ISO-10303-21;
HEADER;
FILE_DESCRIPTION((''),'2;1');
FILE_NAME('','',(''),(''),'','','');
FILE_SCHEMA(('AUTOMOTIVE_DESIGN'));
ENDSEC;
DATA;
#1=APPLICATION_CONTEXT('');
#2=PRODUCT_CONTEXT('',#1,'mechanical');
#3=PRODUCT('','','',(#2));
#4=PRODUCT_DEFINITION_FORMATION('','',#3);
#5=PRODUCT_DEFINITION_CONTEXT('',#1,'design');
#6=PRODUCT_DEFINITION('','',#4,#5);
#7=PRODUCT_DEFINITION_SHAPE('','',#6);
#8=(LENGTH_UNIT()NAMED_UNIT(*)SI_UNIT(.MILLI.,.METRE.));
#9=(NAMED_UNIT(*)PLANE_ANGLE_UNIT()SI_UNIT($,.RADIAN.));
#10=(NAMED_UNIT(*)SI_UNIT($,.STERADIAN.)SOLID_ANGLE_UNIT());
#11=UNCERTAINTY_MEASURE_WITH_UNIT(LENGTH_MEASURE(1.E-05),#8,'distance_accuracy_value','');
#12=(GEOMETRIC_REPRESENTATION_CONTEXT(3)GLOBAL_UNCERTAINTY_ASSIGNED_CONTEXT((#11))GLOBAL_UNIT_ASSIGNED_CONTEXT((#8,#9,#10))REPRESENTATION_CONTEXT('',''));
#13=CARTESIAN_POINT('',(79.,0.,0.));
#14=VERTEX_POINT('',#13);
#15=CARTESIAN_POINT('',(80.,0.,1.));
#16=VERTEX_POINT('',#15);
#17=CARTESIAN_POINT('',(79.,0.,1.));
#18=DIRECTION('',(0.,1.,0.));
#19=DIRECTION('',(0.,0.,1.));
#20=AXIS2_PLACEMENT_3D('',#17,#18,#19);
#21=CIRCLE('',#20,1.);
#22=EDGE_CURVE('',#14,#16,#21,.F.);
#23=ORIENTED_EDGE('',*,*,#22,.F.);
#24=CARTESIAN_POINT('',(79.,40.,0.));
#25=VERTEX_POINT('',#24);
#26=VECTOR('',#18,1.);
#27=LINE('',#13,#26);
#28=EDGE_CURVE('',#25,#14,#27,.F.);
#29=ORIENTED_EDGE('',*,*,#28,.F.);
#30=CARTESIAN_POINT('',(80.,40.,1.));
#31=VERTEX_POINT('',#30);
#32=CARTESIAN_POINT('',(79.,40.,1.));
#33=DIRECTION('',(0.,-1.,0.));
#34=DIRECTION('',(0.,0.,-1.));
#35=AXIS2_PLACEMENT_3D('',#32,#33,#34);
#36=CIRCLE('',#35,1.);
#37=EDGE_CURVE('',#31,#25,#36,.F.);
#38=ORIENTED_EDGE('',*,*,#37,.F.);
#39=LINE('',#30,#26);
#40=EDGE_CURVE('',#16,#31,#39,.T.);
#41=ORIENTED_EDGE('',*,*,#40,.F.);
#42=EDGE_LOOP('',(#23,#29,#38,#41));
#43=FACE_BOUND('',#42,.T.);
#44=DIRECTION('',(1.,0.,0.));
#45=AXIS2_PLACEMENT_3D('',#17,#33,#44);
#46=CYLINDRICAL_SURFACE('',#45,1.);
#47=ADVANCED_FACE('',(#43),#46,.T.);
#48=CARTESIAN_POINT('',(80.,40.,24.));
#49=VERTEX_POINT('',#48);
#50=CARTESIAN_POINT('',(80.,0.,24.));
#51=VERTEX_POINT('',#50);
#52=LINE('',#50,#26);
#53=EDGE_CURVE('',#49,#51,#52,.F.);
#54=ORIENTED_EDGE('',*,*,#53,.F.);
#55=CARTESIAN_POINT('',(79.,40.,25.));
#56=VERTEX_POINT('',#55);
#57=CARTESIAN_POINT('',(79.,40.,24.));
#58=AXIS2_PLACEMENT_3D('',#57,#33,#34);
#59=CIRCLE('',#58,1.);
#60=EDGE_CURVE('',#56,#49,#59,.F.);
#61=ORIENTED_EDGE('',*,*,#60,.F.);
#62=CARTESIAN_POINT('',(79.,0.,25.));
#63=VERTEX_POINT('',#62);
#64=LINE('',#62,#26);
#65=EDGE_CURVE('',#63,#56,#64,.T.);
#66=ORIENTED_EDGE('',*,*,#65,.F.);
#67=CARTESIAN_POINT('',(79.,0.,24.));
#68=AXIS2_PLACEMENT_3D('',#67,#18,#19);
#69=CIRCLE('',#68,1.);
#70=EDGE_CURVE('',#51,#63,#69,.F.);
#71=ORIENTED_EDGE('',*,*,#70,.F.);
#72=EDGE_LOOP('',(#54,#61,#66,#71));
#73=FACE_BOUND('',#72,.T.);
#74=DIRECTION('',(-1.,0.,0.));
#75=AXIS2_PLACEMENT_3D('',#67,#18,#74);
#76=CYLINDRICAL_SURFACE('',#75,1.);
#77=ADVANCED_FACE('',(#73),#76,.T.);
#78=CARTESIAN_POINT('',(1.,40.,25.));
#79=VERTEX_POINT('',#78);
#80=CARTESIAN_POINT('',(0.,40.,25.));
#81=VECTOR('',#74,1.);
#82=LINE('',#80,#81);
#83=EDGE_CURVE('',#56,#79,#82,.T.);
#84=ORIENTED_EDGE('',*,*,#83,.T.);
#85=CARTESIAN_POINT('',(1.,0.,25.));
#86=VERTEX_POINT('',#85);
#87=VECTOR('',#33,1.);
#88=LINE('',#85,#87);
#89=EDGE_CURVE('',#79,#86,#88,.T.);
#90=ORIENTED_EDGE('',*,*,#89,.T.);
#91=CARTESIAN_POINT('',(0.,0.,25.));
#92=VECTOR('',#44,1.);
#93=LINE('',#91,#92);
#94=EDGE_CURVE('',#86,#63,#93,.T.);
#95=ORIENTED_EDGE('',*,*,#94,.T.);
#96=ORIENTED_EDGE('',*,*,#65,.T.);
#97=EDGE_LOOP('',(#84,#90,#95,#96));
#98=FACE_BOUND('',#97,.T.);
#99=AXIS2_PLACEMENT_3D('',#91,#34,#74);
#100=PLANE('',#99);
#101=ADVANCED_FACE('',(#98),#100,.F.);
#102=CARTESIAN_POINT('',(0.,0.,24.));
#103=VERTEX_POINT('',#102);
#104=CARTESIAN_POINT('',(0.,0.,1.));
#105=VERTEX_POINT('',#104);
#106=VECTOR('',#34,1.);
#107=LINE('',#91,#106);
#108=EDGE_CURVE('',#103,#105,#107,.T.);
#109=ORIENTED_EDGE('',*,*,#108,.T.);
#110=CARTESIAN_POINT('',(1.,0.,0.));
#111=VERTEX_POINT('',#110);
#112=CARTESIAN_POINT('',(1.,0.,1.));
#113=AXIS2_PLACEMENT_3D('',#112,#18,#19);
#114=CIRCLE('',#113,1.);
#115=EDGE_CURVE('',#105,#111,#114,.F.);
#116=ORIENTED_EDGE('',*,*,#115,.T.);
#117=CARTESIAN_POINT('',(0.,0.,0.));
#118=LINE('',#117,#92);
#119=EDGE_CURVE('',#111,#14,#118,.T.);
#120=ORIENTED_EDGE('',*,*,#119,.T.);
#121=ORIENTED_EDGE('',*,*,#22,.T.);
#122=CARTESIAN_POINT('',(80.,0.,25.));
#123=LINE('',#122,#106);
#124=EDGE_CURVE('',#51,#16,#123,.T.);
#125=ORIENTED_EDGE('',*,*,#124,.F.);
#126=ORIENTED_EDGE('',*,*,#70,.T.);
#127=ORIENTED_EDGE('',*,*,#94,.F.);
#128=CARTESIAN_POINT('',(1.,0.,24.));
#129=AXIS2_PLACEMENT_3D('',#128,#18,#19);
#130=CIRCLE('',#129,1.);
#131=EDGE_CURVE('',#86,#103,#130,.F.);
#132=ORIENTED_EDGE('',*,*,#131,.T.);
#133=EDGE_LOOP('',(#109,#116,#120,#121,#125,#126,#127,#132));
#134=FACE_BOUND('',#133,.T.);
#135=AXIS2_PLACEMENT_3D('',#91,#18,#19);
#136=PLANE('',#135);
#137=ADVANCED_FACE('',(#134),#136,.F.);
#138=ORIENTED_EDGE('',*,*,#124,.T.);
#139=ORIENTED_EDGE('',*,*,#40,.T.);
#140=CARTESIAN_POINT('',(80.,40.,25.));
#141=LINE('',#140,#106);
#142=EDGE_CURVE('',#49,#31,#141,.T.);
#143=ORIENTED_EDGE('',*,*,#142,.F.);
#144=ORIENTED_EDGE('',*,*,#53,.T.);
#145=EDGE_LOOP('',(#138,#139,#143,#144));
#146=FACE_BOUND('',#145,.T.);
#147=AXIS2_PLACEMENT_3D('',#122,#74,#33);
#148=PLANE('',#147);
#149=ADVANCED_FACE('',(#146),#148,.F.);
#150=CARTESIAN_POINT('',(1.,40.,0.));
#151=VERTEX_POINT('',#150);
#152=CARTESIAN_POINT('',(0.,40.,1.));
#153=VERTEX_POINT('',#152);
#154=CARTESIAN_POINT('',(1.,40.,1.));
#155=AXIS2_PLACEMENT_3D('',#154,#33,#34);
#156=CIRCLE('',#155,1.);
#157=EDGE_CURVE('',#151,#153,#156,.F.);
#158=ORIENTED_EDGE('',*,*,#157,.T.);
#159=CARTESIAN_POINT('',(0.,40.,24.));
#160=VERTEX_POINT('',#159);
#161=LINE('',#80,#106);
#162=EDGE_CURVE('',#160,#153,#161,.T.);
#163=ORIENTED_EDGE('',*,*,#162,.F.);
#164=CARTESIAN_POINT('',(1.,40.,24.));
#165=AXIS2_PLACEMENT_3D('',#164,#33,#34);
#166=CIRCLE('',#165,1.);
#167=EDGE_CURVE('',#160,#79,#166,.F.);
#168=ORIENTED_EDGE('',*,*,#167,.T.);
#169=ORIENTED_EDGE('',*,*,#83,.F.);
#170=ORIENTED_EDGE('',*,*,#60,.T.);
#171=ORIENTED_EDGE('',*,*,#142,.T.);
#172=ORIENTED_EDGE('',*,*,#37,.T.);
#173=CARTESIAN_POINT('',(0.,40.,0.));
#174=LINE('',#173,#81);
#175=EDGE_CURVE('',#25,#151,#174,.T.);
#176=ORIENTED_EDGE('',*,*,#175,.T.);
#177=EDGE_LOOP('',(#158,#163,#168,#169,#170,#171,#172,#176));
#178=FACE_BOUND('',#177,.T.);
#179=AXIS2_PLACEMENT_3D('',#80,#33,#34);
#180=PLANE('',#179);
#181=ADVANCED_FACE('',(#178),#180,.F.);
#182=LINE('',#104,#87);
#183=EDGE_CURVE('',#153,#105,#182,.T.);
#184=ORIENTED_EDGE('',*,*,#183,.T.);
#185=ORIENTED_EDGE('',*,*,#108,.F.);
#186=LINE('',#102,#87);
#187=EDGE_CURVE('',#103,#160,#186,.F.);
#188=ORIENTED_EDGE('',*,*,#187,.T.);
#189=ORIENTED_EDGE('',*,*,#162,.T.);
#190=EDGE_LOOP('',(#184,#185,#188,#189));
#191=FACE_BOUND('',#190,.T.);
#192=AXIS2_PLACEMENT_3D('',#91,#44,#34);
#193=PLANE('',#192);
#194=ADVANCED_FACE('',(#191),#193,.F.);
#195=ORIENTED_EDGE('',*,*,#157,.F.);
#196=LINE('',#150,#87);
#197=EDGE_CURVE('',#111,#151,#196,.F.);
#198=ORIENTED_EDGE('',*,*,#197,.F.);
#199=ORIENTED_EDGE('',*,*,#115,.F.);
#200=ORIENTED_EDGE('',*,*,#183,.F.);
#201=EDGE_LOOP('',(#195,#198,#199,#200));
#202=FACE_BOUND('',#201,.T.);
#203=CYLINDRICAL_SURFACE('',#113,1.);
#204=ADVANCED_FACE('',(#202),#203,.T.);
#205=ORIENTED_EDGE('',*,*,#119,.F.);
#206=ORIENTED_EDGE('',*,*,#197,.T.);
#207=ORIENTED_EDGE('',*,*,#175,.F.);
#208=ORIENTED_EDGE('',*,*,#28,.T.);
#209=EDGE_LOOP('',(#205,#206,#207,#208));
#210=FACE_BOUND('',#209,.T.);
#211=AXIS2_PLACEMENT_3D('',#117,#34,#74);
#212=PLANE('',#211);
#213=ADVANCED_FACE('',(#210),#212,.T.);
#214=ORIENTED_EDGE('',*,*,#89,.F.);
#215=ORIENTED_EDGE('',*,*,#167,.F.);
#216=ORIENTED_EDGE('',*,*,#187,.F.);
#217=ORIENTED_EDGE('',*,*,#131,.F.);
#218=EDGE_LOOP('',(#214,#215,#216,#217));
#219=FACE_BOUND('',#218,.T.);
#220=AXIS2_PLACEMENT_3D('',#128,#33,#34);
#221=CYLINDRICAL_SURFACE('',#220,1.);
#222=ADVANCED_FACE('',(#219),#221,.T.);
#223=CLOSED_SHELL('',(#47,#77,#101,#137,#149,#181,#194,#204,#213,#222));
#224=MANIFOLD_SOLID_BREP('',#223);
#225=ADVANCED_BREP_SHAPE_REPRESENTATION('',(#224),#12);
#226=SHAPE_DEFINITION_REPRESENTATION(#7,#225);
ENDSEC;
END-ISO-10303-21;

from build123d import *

# Parameters (mm, degrees)
SKETCH1_W           = 80
SKETCH1_H           = 40
BOSS_EXTRUDE1_DEPTH = 25
FILLET3_R           = 1
FILLET4_R           = 1


with BuildPart() as part:
    # Sketch1 → Boss-Extrude1 (new body)
    with BuildSketch(Plane.XY):
        with Locations((40, 20)):
            Rectangle(SKETCH1_W, SKETCH1_H)
    extrude(amount=BOSS_EXTRUDE1_DEPTH)

    # Fillet3
    fillet3_edges = [part.edges().sort_by_distance(p)[0] for p in [
        (0, 20, 25),
    ]]
    fillet(fillet3_edges, radius=FILLET3_R)

    # Fillet4
    fillet4_edges = [part.edges().sort_by_distance(p)[0] for p in [
        (80, 20, 25),
        (80, 20, 0),
        (0, 20, 0),
    ]]
    fillet(fillet4_edges, radius=FILLET4_R)


solid = part.part
